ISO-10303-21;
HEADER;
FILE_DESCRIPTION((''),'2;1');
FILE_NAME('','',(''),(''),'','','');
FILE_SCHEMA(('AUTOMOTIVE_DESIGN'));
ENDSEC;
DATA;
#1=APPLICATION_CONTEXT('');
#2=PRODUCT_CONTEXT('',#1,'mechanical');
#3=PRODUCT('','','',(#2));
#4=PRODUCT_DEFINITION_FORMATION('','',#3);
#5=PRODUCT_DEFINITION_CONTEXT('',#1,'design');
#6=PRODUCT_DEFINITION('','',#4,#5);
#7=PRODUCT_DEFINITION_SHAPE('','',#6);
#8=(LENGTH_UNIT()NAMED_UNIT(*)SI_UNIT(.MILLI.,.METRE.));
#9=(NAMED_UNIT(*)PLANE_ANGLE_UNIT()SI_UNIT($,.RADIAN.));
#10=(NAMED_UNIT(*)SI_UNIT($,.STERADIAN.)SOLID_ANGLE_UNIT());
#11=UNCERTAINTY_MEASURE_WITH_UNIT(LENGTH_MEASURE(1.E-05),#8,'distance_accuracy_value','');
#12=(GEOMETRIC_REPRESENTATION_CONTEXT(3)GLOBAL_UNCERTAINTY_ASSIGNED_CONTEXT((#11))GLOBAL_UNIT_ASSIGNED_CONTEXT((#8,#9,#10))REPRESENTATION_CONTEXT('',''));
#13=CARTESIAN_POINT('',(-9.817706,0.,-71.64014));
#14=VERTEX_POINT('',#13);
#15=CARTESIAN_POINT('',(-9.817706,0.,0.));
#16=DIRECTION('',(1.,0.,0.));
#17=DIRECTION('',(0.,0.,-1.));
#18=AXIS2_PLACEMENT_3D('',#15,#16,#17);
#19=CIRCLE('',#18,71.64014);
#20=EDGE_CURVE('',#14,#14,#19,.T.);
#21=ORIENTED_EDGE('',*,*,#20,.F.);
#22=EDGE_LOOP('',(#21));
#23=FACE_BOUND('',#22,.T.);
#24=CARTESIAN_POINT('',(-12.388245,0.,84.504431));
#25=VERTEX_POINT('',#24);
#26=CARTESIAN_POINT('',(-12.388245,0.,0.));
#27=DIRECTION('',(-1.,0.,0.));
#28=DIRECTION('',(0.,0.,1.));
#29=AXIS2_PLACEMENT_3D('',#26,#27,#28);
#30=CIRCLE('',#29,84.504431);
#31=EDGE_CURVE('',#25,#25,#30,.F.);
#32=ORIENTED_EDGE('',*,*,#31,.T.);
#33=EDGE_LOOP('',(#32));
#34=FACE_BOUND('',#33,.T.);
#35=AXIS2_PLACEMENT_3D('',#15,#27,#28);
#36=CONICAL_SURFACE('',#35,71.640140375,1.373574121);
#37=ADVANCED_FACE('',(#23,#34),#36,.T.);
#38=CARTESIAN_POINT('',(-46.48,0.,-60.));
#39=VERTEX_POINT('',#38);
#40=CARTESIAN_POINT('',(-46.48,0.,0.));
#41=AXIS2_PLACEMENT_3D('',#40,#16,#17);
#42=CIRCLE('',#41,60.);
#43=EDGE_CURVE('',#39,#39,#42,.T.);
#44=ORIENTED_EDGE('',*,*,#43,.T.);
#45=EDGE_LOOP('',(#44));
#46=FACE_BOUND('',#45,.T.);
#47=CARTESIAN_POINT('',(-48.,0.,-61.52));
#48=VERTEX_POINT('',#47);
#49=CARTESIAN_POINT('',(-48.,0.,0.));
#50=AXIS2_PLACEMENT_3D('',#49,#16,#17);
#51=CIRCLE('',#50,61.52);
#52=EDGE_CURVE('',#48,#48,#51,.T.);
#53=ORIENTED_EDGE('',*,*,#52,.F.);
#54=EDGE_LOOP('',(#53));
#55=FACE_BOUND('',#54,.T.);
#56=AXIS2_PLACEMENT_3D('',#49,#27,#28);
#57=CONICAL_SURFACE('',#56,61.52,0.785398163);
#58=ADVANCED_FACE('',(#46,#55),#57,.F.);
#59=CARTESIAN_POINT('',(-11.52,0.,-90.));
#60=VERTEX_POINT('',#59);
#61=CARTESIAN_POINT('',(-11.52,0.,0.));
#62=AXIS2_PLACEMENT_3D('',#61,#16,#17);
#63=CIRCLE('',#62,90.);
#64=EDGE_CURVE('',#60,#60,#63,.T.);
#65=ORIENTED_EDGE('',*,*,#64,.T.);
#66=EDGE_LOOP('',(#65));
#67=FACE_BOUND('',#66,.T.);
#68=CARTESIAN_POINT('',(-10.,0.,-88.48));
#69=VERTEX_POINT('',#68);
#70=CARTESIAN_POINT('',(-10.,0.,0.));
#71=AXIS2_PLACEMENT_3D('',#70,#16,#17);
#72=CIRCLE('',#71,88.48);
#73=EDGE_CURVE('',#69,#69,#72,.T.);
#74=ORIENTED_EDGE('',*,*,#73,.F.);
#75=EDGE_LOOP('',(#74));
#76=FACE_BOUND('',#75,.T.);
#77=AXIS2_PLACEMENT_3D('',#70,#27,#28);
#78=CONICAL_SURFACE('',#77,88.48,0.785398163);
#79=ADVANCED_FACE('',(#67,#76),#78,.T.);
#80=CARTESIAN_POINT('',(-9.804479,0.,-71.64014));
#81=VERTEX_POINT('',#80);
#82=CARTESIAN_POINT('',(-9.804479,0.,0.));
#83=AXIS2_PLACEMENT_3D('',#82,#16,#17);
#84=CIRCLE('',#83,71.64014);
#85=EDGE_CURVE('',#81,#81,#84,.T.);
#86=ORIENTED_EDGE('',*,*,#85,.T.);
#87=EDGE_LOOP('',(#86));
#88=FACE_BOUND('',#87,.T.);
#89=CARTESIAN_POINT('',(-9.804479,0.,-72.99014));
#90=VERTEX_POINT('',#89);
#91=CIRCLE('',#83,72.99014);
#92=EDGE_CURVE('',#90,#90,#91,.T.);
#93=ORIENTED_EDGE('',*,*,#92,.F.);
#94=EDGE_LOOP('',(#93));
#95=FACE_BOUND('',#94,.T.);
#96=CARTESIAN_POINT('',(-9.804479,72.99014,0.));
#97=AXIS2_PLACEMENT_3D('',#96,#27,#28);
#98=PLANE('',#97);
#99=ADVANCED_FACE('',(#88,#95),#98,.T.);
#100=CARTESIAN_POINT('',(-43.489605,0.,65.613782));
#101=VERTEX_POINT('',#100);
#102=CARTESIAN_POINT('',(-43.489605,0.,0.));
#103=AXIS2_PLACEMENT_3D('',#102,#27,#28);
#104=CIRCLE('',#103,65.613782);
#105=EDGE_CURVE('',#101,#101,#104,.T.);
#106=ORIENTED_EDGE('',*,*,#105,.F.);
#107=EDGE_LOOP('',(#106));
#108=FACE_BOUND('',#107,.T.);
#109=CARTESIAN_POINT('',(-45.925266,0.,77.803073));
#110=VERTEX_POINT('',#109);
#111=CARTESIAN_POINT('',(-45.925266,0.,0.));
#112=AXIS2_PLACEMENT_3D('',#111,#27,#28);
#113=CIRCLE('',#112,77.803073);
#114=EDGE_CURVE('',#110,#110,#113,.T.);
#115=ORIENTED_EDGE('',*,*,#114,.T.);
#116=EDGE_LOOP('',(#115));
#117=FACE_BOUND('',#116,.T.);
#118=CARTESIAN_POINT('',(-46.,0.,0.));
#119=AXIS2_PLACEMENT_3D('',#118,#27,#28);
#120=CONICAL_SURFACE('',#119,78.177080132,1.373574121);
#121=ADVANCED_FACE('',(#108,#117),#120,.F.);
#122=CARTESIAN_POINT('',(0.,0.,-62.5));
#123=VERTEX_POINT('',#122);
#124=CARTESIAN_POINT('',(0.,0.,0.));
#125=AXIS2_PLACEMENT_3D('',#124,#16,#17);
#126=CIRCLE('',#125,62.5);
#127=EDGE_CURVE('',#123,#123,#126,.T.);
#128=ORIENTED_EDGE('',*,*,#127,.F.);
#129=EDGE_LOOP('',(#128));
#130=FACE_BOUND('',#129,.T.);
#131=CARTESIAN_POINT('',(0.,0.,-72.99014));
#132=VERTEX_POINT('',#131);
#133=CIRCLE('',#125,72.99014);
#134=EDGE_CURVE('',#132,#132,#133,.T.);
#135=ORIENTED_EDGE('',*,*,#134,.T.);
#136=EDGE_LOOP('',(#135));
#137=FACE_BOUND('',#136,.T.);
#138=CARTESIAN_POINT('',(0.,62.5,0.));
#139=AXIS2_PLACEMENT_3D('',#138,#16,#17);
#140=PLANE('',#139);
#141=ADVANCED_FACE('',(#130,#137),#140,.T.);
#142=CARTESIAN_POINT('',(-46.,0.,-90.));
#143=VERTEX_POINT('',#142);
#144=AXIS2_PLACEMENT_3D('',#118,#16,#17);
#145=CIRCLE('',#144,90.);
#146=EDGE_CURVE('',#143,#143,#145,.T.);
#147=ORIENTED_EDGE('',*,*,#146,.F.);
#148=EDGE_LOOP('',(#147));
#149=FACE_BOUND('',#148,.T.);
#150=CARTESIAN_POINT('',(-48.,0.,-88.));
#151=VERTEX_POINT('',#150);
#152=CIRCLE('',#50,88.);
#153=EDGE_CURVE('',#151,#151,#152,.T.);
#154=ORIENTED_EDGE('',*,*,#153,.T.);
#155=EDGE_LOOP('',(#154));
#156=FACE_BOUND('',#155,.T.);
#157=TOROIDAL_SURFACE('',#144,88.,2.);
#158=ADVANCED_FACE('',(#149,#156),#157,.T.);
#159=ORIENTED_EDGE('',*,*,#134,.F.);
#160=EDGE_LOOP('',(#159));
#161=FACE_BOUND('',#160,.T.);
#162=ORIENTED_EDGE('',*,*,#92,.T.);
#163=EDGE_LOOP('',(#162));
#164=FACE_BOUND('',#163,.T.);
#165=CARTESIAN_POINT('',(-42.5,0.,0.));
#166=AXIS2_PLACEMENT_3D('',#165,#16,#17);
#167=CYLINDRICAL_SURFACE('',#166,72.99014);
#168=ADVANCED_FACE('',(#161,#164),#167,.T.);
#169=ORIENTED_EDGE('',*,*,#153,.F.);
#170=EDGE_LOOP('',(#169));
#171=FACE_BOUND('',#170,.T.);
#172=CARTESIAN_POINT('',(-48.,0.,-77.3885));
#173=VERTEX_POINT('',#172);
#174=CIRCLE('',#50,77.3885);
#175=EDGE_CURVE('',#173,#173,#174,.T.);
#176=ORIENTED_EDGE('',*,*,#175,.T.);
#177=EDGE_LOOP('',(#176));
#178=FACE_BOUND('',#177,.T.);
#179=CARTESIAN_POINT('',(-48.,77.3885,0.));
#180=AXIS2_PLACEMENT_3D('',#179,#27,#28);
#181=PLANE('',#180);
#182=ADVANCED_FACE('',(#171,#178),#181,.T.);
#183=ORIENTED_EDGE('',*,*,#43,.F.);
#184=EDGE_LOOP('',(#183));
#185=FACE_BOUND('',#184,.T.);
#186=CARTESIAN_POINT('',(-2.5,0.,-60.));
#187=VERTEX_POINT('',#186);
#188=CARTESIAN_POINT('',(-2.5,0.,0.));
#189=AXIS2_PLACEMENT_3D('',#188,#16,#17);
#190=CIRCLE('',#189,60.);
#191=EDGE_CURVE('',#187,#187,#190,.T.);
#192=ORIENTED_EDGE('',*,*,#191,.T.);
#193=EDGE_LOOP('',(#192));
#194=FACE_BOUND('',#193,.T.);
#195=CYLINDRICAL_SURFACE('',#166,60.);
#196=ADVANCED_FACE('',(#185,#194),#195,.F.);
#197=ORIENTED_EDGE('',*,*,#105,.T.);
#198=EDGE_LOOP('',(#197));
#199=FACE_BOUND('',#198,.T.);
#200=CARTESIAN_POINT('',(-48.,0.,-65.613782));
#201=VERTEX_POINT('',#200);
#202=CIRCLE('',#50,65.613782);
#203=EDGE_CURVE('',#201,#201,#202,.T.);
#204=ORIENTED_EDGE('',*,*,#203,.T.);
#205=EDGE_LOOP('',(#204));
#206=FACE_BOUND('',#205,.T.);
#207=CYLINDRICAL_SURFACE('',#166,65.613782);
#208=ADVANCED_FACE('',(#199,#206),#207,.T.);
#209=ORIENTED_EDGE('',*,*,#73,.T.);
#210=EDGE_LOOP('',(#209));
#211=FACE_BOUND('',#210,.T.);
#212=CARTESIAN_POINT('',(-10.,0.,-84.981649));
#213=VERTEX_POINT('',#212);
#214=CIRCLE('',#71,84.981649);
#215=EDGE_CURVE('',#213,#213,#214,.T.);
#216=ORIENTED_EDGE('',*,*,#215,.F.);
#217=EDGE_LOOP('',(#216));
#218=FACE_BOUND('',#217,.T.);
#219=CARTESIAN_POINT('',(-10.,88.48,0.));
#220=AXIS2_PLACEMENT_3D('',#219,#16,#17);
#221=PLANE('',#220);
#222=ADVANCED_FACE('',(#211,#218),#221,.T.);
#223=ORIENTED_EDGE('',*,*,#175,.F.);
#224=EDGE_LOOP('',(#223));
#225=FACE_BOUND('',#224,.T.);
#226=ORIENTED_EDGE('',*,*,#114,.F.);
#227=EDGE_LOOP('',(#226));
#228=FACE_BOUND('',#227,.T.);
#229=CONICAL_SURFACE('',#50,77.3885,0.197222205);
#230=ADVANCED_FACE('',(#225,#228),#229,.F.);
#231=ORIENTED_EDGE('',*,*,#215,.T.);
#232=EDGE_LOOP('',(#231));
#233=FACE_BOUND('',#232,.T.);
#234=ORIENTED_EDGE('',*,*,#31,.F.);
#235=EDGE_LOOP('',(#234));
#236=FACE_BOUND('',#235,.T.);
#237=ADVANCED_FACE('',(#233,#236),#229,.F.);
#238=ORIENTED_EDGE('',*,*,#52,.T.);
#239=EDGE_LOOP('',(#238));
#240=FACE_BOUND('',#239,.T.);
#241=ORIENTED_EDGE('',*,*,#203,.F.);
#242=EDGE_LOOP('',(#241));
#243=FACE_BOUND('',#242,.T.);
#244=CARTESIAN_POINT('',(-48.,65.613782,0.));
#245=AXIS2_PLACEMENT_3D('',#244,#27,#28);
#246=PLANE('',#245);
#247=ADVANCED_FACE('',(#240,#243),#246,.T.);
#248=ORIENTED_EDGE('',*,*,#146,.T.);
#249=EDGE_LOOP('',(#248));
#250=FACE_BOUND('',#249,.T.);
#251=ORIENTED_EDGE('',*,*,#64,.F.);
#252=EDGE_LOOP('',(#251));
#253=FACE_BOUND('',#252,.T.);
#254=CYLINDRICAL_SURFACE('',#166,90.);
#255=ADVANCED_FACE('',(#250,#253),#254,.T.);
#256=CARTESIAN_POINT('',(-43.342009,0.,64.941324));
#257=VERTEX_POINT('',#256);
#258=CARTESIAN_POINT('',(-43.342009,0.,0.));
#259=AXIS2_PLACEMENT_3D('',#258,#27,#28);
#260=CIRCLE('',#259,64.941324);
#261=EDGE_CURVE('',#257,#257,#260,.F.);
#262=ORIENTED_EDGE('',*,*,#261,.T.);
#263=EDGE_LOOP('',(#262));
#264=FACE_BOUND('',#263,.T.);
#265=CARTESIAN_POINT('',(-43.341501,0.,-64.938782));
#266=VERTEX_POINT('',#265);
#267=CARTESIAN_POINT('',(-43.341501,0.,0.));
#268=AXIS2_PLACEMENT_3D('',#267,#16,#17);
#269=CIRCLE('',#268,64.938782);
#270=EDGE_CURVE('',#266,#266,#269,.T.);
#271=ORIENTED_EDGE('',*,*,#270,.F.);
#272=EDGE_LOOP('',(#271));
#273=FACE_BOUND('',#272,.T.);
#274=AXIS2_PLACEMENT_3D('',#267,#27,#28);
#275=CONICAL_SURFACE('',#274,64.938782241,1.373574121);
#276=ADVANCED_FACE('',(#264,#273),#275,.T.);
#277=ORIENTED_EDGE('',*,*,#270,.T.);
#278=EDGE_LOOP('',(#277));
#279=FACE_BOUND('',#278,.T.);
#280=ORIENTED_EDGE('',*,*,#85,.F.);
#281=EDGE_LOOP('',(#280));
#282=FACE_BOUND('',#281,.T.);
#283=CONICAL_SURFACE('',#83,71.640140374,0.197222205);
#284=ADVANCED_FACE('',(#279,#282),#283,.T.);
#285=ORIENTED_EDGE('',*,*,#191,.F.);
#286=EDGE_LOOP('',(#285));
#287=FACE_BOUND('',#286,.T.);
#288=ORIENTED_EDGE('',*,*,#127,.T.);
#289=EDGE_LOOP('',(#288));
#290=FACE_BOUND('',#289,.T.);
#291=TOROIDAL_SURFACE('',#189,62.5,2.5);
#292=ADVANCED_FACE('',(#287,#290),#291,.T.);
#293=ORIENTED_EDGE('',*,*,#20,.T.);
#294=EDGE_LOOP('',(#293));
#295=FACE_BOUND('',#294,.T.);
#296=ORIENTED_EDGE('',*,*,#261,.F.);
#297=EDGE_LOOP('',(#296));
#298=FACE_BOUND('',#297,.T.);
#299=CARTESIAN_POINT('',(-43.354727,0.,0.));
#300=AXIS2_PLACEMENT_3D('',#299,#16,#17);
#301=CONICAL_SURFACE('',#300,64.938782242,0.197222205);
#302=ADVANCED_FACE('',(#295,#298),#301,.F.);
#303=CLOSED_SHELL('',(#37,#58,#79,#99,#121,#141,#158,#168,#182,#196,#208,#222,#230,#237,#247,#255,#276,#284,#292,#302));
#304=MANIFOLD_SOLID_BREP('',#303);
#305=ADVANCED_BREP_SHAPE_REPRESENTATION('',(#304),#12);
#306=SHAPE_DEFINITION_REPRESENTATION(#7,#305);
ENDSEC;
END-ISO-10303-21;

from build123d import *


with BuildPart() as part:
    # OutRacSke → OuterRace (revolve)
    with BuildSketch(Plane.XY):
        with BuildLine():
            Line((-10, 84.981649273), (-48, 77.3885))
            Line((-48, 77.3885), (-48, 88))
            ThreePointArc((-48, 88), (-47.414213562, 89.414213562), (-46, 90))
            Line((-46, 90), (-11.52, 90))
            Line((-11.52, 90), (-10, 88.48))
            Line((-10, 88.48), (-10, 84.981649273))
        make_face()
    revolve(axis=Axis((-42.5, 0, 0), (1, 0, 0)))

    # RolSimSke → RollersSimplified (revolve)
    with BuildSketch(Plane.XY):
        Polygon((-46, 78.177080132), (-12.462978678, 84.878438265), (-9.81770573, 71.640140375), (-43.354727053, 64.938782242), align=None)
    revolve(axis=Axis((0, 0, 0), (-1, 0, 0)))

    # InsRacSke → InnerRace (revolve)
    with BuildSketch(Plane.XY):
        with BuildLine():
            Line((-43.476379, 65.613782241), (-48, 65.613782241))
            Line((-48, 65.613782241), (-48, 61.52))
            Line((-48, 61.52), (-46.48, 60))
            Line((-46.48, 60), (-2.5, 60))
            ThreePointArc((-2.5, 60), (-0.732233047, 60.732233047), (0, 62.5))
            Line((0, 62.5), (0, 72.990140374))
            Line((0, 72.990140374), (-9.804479369, 72.990140374))
            Line((-9.804479369, 72.990140374), (-9.804479369, 71.640140374))
            Line((-9.804479369, 71.640140374), (-43.341500691, 64.938782241))
            Line((-43.341500691, 64.938782241), (-43.476379, 65.613782241))
        make_face()
    revolve(axis=Axis((-42.5, 0, 0), (1, 0, 0)))


solid = part.part
